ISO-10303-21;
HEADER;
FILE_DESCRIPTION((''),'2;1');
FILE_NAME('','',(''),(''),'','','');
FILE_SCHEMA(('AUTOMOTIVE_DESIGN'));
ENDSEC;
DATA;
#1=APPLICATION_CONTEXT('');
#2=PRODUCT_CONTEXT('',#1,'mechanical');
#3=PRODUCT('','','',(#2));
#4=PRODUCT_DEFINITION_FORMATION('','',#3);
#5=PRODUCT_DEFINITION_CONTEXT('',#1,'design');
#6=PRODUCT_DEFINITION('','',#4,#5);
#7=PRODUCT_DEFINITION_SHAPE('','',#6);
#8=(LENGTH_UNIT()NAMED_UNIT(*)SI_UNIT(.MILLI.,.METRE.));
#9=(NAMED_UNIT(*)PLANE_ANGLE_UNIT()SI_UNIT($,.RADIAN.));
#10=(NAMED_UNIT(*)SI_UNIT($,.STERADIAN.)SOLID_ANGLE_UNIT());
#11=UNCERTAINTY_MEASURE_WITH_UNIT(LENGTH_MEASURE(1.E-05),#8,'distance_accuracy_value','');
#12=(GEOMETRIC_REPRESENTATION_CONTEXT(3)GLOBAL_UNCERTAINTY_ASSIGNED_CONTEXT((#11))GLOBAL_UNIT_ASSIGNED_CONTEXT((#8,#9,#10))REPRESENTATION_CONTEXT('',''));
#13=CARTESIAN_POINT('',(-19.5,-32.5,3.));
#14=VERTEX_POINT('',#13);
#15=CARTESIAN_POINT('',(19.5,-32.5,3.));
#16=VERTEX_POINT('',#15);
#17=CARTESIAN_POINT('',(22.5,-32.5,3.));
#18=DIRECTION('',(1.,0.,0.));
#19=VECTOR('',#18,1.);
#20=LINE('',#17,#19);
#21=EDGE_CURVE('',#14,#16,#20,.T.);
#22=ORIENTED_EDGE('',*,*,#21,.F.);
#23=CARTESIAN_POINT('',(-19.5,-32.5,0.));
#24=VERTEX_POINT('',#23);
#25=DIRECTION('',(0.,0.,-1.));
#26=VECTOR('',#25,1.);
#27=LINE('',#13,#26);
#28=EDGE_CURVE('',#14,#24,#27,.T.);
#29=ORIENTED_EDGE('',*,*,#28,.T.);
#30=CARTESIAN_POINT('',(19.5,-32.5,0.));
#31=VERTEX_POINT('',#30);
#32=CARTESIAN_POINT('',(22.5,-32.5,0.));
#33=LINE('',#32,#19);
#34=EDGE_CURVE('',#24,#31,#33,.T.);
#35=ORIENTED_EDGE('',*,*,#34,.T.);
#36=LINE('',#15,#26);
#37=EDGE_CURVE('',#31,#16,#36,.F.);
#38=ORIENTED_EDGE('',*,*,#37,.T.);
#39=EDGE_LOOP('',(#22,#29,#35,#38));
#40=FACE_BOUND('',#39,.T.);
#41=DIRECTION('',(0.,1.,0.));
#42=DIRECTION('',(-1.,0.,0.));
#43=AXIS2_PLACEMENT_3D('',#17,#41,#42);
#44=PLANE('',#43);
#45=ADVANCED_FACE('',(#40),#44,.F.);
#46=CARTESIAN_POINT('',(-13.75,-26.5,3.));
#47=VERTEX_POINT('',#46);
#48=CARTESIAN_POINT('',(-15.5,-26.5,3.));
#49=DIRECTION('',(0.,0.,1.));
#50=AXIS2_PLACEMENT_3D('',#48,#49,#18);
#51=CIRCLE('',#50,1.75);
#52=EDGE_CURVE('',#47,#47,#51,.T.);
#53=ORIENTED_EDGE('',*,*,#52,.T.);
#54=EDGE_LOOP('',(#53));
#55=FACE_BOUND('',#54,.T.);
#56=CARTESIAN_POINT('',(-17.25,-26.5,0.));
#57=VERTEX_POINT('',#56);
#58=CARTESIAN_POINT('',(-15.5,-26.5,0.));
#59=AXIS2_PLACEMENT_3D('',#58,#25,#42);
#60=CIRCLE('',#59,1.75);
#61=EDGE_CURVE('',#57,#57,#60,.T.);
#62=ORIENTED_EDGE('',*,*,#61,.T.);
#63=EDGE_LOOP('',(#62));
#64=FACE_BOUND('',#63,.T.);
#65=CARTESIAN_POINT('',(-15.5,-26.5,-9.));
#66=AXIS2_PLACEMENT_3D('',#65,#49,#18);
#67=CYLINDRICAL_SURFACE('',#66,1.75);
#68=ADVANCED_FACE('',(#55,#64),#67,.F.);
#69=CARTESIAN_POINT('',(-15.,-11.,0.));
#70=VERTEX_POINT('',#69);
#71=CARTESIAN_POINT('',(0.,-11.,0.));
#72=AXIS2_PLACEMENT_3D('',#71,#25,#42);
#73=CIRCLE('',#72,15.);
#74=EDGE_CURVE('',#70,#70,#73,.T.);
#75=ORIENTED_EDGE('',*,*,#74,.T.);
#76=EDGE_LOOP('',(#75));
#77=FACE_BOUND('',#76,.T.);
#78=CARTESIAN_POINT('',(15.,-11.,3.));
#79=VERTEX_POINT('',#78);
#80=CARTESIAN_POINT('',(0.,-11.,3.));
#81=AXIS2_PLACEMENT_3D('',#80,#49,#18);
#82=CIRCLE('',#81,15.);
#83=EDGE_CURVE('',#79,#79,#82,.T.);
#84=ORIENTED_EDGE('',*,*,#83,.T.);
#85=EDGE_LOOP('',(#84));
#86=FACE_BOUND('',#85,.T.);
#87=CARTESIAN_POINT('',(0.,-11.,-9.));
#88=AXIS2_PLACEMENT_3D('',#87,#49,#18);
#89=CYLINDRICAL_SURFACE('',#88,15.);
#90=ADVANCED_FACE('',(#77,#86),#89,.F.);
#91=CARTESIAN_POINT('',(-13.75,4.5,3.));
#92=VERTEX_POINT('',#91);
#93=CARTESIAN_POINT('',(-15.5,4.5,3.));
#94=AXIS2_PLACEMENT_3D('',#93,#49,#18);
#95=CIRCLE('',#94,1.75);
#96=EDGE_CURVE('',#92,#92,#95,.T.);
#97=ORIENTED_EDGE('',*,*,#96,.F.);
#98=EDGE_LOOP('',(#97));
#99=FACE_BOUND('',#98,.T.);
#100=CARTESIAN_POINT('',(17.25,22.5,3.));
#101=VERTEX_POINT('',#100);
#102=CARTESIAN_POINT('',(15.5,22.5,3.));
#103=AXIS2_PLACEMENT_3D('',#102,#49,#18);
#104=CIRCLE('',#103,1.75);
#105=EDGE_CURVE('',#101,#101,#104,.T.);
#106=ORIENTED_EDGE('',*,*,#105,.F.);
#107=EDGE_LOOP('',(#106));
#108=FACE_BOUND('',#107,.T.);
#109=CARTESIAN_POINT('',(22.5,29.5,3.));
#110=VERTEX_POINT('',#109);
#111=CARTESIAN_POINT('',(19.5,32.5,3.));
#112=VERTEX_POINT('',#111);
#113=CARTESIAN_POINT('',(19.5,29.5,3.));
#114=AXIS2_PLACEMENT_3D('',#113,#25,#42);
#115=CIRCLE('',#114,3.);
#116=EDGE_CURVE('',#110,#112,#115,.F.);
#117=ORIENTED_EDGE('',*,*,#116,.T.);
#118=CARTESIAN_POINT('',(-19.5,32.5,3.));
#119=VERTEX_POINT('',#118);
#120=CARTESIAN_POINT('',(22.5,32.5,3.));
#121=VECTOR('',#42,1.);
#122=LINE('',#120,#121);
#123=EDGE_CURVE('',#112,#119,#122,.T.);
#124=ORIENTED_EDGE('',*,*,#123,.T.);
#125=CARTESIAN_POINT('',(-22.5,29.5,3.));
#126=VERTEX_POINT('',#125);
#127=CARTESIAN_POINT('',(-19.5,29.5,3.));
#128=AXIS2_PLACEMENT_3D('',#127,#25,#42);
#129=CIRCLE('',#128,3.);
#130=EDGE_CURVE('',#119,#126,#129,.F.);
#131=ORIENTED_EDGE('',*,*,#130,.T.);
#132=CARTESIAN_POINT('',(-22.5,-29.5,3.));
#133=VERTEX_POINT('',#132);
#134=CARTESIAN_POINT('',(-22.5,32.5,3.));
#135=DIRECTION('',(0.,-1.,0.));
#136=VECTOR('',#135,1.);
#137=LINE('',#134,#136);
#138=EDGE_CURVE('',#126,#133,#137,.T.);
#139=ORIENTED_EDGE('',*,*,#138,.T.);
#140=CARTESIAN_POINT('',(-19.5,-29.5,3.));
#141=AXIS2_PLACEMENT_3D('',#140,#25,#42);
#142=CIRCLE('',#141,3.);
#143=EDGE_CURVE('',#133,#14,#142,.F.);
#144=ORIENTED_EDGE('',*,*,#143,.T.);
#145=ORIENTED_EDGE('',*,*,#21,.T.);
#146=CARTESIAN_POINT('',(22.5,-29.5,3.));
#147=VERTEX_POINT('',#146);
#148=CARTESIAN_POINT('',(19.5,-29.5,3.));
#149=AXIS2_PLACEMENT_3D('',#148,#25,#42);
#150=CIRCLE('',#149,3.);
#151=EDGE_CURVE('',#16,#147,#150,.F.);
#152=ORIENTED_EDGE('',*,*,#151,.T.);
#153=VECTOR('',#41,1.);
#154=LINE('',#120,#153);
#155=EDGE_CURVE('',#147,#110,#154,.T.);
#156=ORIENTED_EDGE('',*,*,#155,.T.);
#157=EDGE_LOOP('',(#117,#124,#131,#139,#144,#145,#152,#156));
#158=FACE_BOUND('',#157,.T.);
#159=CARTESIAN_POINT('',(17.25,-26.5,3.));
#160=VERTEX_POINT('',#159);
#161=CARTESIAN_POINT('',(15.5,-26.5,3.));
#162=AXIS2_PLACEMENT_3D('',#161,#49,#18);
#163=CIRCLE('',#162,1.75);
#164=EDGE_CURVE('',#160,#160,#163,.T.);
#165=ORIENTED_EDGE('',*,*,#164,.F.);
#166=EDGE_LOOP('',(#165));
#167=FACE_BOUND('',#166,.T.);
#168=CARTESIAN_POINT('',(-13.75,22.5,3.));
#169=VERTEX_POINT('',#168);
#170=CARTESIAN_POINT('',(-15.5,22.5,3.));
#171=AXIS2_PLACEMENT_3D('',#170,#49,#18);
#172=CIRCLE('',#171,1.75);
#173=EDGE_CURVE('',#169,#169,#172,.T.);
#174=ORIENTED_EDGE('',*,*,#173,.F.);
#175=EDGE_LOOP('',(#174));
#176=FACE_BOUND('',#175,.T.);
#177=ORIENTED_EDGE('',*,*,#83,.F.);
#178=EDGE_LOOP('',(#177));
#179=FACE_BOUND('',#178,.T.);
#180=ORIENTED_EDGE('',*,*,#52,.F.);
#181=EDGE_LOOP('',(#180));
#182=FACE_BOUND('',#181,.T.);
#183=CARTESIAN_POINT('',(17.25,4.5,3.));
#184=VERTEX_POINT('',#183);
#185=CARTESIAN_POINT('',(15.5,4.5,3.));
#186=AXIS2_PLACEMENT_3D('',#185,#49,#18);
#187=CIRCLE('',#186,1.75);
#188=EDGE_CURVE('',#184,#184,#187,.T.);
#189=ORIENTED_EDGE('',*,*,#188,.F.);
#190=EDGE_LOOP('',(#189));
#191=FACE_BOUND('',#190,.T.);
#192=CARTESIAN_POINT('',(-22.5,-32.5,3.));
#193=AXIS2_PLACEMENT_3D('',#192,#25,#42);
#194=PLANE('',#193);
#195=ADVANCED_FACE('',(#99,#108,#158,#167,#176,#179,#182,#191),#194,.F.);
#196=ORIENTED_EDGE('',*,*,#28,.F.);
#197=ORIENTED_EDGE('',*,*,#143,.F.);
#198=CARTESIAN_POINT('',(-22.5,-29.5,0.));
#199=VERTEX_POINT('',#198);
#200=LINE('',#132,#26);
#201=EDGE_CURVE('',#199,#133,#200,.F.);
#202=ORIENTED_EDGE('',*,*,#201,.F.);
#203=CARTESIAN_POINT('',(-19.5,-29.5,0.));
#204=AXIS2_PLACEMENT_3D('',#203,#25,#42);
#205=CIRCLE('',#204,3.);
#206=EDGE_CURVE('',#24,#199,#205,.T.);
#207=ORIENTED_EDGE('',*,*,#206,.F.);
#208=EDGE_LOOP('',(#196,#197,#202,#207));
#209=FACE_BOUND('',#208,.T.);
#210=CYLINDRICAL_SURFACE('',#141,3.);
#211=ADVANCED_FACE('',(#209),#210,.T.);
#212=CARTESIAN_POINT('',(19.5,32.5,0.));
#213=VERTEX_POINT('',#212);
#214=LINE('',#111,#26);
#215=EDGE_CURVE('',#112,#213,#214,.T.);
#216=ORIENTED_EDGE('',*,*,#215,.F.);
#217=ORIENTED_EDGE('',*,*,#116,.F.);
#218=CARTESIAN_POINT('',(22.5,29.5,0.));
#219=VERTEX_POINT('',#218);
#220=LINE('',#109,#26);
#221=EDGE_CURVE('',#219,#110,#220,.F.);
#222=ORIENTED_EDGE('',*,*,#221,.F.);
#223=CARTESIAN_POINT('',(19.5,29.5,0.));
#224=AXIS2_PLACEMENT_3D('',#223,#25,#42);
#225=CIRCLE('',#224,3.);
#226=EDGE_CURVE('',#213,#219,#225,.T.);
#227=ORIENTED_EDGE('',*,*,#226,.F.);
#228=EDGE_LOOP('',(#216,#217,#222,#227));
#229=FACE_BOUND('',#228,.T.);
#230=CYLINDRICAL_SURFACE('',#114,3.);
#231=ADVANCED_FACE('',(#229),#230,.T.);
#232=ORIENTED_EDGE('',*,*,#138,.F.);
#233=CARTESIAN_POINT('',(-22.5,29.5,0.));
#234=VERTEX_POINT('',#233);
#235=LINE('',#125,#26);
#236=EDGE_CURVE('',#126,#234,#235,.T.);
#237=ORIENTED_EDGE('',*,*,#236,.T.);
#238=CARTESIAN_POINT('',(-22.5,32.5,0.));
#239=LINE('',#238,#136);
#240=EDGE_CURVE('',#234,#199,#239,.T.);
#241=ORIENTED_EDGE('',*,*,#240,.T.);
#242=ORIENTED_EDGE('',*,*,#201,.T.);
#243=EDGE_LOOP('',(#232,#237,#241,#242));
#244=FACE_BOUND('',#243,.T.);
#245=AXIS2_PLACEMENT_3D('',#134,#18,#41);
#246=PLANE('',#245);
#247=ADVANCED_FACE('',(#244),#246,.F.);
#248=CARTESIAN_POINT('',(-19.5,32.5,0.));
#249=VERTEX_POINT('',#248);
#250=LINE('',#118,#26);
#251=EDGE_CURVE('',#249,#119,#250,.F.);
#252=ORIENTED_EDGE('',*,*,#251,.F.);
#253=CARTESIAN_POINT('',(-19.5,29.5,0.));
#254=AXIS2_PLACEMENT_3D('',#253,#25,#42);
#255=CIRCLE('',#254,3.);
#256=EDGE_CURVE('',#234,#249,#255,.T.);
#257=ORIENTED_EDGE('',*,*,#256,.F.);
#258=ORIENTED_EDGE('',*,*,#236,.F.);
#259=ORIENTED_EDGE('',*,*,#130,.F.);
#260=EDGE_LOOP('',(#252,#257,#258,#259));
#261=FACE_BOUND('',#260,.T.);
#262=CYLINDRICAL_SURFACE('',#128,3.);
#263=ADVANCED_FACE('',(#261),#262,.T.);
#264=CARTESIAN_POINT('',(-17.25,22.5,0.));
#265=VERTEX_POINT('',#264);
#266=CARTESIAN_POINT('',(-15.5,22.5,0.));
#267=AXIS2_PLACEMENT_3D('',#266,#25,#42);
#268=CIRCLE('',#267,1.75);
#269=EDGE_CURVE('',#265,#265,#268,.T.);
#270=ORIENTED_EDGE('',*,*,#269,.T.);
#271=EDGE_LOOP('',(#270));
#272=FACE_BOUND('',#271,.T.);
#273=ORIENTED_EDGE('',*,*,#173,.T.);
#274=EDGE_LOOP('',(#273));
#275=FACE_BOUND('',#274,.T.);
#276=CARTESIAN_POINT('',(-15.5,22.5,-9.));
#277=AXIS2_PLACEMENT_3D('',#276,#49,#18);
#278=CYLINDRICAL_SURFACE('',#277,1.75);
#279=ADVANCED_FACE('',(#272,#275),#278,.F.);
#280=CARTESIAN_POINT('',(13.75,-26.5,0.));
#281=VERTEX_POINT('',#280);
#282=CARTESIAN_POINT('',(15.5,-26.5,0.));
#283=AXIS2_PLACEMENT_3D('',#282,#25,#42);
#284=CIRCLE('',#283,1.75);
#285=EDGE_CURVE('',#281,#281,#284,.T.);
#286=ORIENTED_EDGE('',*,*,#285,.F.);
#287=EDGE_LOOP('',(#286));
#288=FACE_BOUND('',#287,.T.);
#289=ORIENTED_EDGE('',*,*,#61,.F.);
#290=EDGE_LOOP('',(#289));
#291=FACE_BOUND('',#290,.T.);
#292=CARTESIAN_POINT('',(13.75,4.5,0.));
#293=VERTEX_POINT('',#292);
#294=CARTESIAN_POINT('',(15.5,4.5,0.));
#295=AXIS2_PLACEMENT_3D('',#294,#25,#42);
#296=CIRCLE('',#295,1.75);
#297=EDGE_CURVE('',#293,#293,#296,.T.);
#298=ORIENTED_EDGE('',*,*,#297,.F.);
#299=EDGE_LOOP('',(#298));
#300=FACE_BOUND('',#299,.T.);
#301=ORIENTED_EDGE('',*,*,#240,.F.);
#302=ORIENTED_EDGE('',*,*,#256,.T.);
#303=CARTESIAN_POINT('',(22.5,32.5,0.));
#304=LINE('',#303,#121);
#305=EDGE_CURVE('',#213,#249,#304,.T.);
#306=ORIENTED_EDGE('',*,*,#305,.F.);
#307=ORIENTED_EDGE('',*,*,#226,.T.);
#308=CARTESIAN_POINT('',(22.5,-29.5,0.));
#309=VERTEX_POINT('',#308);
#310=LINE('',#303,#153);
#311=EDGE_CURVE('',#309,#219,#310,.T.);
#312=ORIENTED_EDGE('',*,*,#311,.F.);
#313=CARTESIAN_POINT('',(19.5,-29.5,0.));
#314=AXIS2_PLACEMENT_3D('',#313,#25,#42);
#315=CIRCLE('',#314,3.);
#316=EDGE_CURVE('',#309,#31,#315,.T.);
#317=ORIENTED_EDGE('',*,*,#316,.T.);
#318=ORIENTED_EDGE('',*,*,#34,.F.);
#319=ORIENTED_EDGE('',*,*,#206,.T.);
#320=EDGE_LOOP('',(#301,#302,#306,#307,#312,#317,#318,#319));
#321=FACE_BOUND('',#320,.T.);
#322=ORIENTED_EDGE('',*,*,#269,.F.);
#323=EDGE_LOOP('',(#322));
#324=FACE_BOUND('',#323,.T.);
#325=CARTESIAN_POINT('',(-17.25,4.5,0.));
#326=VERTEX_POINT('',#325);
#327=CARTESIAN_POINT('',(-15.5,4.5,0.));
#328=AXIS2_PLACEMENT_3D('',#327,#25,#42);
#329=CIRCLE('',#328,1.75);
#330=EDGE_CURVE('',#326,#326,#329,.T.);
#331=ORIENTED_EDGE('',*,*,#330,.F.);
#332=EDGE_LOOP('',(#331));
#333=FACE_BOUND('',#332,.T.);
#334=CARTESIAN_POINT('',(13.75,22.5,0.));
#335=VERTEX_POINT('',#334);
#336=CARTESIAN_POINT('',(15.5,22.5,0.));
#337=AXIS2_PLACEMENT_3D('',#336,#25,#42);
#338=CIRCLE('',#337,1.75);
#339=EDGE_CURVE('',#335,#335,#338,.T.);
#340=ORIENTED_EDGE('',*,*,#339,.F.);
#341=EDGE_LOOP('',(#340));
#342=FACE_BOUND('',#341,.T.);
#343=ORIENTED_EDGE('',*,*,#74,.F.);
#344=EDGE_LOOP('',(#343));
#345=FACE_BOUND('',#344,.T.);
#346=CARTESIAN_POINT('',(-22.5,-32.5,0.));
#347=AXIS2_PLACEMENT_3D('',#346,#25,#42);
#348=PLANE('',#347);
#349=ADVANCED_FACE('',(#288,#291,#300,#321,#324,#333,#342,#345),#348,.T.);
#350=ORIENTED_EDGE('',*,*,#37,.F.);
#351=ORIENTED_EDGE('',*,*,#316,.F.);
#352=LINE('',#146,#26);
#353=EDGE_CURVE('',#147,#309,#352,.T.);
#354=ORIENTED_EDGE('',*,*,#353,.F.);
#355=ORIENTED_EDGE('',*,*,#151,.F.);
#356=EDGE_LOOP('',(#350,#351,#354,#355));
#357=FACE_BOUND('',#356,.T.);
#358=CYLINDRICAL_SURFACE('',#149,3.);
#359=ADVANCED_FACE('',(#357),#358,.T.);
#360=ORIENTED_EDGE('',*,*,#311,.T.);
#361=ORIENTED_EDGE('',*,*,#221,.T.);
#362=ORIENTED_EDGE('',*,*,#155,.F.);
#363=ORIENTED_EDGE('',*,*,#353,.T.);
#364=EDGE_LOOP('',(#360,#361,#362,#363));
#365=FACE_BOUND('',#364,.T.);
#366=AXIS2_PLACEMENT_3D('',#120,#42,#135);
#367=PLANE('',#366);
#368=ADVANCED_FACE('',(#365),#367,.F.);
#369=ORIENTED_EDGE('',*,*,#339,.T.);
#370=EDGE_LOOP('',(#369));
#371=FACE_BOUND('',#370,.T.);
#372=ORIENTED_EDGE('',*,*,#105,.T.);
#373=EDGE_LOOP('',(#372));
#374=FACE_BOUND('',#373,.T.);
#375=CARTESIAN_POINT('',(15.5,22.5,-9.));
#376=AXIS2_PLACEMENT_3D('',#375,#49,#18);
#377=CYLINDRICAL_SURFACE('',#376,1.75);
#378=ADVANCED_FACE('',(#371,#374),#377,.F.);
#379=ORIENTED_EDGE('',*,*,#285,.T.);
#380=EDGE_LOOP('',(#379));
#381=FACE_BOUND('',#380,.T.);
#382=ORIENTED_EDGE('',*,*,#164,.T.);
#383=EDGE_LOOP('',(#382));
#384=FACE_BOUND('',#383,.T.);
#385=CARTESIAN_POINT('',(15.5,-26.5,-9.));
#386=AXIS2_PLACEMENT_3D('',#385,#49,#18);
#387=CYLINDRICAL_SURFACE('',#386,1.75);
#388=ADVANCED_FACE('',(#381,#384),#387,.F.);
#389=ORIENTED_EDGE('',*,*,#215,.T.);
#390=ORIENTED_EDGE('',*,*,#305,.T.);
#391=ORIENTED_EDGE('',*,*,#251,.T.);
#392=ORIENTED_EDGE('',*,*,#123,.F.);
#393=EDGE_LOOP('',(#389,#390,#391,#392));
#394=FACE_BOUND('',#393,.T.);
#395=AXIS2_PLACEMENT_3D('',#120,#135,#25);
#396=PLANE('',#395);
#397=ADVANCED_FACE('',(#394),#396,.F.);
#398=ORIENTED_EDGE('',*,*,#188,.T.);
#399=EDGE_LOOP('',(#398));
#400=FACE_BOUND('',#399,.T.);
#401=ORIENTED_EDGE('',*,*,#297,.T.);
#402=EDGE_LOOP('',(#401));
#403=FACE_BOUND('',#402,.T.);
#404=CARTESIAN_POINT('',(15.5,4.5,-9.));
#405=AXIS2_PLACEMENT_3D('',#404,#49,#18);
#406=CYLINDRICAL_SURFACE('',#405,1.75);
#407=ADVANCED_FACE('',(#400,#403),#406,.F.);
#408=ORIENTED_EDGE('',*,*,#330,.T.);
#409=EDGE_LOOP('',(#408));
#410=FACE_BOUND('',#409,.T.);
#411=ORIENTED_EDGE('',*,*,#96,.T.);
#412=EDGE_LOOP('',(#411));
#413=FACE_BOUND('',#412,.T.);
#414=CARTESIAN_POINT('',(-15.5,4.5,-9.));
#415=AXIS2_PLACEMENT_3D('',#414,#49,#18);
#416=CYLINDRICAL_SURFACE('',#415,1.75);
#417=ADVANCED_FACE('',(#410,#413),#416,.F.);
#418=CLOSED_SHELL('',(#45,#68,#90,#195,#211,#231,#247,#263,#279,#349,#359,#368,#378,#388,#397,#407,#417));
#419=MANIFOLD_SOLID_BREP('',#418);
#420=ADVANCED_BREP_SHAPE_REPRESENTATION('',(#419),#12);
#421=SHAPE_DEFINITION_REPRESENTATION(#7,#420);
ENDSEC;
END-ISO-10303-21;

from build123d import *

# Parameters (mm, degrees)
SKIZZE1_W                       = 45
SKIZZE1_H                       = 65
AUFSATZ_LINEAR_AUSTRAGEN1_DEPTH = 3
VERRUNDUNG1_R                   = 3
SKIZZE2_R                       = 1.75
SKIZZE2_R_2                     = 15
SCHNITT_LINEAR_AUSTRAGEN1_DEPTH = 12


with BuildPart() as part:
    # Skizze1 → Aufsatz-Linear austragen1 (new body)
    with BuildSketch(Plane.XY):
        Rectangle(SKIZZE1_W, SKIZZE1_H)
    extrude(amount=AUFSATZ_LINEAR_AUSTRAGEN1_DEPTH)

    # Verrundung1
    verrundung1_edges = [part.edges().sort_by_distance(p)[0] for p in [
        (-22.5, 32.5, 1.5),
        (22.5, 32.5, 1.5),
        (22.5, -32.5, 1.5),
        (-22.5, -32.5, 1.5),
    ]]
    fillet(verrundung1_edges, radius=VERRUNDUNG1_R)

    # Skizze2 → Schnitt-Linear austragen1 (cut)
    with BuildSketch(Plane.XY.offset(3)):
        with Locations((-15.5, -26.5)):
            Circle(SKIZZE2_R)
        with Locations((-15.5, 4.5)):
            Circle(SKIZZE2_R)
        with Locations((15.5, 4.5)):
            Circle(SKIZZE2_R)
        with Locations((15.5, -26.5)):
            Circle(SKIZZE2_R)
        with Locations((15.5, 22.5)):
            Circle(SKIZZE2_R)
        with Locations((-15.5, 22.5)):
            Circle(SKIZZE2_R)
        with Locations((0, -11)):
            Circle(SKIZZE2_R_2)
    extrude(amount=-SCHNITT_LINEAR_AUSTRAGEN1_DEPTH, mode=Mode.SUBTRACT)


solid = part.part
